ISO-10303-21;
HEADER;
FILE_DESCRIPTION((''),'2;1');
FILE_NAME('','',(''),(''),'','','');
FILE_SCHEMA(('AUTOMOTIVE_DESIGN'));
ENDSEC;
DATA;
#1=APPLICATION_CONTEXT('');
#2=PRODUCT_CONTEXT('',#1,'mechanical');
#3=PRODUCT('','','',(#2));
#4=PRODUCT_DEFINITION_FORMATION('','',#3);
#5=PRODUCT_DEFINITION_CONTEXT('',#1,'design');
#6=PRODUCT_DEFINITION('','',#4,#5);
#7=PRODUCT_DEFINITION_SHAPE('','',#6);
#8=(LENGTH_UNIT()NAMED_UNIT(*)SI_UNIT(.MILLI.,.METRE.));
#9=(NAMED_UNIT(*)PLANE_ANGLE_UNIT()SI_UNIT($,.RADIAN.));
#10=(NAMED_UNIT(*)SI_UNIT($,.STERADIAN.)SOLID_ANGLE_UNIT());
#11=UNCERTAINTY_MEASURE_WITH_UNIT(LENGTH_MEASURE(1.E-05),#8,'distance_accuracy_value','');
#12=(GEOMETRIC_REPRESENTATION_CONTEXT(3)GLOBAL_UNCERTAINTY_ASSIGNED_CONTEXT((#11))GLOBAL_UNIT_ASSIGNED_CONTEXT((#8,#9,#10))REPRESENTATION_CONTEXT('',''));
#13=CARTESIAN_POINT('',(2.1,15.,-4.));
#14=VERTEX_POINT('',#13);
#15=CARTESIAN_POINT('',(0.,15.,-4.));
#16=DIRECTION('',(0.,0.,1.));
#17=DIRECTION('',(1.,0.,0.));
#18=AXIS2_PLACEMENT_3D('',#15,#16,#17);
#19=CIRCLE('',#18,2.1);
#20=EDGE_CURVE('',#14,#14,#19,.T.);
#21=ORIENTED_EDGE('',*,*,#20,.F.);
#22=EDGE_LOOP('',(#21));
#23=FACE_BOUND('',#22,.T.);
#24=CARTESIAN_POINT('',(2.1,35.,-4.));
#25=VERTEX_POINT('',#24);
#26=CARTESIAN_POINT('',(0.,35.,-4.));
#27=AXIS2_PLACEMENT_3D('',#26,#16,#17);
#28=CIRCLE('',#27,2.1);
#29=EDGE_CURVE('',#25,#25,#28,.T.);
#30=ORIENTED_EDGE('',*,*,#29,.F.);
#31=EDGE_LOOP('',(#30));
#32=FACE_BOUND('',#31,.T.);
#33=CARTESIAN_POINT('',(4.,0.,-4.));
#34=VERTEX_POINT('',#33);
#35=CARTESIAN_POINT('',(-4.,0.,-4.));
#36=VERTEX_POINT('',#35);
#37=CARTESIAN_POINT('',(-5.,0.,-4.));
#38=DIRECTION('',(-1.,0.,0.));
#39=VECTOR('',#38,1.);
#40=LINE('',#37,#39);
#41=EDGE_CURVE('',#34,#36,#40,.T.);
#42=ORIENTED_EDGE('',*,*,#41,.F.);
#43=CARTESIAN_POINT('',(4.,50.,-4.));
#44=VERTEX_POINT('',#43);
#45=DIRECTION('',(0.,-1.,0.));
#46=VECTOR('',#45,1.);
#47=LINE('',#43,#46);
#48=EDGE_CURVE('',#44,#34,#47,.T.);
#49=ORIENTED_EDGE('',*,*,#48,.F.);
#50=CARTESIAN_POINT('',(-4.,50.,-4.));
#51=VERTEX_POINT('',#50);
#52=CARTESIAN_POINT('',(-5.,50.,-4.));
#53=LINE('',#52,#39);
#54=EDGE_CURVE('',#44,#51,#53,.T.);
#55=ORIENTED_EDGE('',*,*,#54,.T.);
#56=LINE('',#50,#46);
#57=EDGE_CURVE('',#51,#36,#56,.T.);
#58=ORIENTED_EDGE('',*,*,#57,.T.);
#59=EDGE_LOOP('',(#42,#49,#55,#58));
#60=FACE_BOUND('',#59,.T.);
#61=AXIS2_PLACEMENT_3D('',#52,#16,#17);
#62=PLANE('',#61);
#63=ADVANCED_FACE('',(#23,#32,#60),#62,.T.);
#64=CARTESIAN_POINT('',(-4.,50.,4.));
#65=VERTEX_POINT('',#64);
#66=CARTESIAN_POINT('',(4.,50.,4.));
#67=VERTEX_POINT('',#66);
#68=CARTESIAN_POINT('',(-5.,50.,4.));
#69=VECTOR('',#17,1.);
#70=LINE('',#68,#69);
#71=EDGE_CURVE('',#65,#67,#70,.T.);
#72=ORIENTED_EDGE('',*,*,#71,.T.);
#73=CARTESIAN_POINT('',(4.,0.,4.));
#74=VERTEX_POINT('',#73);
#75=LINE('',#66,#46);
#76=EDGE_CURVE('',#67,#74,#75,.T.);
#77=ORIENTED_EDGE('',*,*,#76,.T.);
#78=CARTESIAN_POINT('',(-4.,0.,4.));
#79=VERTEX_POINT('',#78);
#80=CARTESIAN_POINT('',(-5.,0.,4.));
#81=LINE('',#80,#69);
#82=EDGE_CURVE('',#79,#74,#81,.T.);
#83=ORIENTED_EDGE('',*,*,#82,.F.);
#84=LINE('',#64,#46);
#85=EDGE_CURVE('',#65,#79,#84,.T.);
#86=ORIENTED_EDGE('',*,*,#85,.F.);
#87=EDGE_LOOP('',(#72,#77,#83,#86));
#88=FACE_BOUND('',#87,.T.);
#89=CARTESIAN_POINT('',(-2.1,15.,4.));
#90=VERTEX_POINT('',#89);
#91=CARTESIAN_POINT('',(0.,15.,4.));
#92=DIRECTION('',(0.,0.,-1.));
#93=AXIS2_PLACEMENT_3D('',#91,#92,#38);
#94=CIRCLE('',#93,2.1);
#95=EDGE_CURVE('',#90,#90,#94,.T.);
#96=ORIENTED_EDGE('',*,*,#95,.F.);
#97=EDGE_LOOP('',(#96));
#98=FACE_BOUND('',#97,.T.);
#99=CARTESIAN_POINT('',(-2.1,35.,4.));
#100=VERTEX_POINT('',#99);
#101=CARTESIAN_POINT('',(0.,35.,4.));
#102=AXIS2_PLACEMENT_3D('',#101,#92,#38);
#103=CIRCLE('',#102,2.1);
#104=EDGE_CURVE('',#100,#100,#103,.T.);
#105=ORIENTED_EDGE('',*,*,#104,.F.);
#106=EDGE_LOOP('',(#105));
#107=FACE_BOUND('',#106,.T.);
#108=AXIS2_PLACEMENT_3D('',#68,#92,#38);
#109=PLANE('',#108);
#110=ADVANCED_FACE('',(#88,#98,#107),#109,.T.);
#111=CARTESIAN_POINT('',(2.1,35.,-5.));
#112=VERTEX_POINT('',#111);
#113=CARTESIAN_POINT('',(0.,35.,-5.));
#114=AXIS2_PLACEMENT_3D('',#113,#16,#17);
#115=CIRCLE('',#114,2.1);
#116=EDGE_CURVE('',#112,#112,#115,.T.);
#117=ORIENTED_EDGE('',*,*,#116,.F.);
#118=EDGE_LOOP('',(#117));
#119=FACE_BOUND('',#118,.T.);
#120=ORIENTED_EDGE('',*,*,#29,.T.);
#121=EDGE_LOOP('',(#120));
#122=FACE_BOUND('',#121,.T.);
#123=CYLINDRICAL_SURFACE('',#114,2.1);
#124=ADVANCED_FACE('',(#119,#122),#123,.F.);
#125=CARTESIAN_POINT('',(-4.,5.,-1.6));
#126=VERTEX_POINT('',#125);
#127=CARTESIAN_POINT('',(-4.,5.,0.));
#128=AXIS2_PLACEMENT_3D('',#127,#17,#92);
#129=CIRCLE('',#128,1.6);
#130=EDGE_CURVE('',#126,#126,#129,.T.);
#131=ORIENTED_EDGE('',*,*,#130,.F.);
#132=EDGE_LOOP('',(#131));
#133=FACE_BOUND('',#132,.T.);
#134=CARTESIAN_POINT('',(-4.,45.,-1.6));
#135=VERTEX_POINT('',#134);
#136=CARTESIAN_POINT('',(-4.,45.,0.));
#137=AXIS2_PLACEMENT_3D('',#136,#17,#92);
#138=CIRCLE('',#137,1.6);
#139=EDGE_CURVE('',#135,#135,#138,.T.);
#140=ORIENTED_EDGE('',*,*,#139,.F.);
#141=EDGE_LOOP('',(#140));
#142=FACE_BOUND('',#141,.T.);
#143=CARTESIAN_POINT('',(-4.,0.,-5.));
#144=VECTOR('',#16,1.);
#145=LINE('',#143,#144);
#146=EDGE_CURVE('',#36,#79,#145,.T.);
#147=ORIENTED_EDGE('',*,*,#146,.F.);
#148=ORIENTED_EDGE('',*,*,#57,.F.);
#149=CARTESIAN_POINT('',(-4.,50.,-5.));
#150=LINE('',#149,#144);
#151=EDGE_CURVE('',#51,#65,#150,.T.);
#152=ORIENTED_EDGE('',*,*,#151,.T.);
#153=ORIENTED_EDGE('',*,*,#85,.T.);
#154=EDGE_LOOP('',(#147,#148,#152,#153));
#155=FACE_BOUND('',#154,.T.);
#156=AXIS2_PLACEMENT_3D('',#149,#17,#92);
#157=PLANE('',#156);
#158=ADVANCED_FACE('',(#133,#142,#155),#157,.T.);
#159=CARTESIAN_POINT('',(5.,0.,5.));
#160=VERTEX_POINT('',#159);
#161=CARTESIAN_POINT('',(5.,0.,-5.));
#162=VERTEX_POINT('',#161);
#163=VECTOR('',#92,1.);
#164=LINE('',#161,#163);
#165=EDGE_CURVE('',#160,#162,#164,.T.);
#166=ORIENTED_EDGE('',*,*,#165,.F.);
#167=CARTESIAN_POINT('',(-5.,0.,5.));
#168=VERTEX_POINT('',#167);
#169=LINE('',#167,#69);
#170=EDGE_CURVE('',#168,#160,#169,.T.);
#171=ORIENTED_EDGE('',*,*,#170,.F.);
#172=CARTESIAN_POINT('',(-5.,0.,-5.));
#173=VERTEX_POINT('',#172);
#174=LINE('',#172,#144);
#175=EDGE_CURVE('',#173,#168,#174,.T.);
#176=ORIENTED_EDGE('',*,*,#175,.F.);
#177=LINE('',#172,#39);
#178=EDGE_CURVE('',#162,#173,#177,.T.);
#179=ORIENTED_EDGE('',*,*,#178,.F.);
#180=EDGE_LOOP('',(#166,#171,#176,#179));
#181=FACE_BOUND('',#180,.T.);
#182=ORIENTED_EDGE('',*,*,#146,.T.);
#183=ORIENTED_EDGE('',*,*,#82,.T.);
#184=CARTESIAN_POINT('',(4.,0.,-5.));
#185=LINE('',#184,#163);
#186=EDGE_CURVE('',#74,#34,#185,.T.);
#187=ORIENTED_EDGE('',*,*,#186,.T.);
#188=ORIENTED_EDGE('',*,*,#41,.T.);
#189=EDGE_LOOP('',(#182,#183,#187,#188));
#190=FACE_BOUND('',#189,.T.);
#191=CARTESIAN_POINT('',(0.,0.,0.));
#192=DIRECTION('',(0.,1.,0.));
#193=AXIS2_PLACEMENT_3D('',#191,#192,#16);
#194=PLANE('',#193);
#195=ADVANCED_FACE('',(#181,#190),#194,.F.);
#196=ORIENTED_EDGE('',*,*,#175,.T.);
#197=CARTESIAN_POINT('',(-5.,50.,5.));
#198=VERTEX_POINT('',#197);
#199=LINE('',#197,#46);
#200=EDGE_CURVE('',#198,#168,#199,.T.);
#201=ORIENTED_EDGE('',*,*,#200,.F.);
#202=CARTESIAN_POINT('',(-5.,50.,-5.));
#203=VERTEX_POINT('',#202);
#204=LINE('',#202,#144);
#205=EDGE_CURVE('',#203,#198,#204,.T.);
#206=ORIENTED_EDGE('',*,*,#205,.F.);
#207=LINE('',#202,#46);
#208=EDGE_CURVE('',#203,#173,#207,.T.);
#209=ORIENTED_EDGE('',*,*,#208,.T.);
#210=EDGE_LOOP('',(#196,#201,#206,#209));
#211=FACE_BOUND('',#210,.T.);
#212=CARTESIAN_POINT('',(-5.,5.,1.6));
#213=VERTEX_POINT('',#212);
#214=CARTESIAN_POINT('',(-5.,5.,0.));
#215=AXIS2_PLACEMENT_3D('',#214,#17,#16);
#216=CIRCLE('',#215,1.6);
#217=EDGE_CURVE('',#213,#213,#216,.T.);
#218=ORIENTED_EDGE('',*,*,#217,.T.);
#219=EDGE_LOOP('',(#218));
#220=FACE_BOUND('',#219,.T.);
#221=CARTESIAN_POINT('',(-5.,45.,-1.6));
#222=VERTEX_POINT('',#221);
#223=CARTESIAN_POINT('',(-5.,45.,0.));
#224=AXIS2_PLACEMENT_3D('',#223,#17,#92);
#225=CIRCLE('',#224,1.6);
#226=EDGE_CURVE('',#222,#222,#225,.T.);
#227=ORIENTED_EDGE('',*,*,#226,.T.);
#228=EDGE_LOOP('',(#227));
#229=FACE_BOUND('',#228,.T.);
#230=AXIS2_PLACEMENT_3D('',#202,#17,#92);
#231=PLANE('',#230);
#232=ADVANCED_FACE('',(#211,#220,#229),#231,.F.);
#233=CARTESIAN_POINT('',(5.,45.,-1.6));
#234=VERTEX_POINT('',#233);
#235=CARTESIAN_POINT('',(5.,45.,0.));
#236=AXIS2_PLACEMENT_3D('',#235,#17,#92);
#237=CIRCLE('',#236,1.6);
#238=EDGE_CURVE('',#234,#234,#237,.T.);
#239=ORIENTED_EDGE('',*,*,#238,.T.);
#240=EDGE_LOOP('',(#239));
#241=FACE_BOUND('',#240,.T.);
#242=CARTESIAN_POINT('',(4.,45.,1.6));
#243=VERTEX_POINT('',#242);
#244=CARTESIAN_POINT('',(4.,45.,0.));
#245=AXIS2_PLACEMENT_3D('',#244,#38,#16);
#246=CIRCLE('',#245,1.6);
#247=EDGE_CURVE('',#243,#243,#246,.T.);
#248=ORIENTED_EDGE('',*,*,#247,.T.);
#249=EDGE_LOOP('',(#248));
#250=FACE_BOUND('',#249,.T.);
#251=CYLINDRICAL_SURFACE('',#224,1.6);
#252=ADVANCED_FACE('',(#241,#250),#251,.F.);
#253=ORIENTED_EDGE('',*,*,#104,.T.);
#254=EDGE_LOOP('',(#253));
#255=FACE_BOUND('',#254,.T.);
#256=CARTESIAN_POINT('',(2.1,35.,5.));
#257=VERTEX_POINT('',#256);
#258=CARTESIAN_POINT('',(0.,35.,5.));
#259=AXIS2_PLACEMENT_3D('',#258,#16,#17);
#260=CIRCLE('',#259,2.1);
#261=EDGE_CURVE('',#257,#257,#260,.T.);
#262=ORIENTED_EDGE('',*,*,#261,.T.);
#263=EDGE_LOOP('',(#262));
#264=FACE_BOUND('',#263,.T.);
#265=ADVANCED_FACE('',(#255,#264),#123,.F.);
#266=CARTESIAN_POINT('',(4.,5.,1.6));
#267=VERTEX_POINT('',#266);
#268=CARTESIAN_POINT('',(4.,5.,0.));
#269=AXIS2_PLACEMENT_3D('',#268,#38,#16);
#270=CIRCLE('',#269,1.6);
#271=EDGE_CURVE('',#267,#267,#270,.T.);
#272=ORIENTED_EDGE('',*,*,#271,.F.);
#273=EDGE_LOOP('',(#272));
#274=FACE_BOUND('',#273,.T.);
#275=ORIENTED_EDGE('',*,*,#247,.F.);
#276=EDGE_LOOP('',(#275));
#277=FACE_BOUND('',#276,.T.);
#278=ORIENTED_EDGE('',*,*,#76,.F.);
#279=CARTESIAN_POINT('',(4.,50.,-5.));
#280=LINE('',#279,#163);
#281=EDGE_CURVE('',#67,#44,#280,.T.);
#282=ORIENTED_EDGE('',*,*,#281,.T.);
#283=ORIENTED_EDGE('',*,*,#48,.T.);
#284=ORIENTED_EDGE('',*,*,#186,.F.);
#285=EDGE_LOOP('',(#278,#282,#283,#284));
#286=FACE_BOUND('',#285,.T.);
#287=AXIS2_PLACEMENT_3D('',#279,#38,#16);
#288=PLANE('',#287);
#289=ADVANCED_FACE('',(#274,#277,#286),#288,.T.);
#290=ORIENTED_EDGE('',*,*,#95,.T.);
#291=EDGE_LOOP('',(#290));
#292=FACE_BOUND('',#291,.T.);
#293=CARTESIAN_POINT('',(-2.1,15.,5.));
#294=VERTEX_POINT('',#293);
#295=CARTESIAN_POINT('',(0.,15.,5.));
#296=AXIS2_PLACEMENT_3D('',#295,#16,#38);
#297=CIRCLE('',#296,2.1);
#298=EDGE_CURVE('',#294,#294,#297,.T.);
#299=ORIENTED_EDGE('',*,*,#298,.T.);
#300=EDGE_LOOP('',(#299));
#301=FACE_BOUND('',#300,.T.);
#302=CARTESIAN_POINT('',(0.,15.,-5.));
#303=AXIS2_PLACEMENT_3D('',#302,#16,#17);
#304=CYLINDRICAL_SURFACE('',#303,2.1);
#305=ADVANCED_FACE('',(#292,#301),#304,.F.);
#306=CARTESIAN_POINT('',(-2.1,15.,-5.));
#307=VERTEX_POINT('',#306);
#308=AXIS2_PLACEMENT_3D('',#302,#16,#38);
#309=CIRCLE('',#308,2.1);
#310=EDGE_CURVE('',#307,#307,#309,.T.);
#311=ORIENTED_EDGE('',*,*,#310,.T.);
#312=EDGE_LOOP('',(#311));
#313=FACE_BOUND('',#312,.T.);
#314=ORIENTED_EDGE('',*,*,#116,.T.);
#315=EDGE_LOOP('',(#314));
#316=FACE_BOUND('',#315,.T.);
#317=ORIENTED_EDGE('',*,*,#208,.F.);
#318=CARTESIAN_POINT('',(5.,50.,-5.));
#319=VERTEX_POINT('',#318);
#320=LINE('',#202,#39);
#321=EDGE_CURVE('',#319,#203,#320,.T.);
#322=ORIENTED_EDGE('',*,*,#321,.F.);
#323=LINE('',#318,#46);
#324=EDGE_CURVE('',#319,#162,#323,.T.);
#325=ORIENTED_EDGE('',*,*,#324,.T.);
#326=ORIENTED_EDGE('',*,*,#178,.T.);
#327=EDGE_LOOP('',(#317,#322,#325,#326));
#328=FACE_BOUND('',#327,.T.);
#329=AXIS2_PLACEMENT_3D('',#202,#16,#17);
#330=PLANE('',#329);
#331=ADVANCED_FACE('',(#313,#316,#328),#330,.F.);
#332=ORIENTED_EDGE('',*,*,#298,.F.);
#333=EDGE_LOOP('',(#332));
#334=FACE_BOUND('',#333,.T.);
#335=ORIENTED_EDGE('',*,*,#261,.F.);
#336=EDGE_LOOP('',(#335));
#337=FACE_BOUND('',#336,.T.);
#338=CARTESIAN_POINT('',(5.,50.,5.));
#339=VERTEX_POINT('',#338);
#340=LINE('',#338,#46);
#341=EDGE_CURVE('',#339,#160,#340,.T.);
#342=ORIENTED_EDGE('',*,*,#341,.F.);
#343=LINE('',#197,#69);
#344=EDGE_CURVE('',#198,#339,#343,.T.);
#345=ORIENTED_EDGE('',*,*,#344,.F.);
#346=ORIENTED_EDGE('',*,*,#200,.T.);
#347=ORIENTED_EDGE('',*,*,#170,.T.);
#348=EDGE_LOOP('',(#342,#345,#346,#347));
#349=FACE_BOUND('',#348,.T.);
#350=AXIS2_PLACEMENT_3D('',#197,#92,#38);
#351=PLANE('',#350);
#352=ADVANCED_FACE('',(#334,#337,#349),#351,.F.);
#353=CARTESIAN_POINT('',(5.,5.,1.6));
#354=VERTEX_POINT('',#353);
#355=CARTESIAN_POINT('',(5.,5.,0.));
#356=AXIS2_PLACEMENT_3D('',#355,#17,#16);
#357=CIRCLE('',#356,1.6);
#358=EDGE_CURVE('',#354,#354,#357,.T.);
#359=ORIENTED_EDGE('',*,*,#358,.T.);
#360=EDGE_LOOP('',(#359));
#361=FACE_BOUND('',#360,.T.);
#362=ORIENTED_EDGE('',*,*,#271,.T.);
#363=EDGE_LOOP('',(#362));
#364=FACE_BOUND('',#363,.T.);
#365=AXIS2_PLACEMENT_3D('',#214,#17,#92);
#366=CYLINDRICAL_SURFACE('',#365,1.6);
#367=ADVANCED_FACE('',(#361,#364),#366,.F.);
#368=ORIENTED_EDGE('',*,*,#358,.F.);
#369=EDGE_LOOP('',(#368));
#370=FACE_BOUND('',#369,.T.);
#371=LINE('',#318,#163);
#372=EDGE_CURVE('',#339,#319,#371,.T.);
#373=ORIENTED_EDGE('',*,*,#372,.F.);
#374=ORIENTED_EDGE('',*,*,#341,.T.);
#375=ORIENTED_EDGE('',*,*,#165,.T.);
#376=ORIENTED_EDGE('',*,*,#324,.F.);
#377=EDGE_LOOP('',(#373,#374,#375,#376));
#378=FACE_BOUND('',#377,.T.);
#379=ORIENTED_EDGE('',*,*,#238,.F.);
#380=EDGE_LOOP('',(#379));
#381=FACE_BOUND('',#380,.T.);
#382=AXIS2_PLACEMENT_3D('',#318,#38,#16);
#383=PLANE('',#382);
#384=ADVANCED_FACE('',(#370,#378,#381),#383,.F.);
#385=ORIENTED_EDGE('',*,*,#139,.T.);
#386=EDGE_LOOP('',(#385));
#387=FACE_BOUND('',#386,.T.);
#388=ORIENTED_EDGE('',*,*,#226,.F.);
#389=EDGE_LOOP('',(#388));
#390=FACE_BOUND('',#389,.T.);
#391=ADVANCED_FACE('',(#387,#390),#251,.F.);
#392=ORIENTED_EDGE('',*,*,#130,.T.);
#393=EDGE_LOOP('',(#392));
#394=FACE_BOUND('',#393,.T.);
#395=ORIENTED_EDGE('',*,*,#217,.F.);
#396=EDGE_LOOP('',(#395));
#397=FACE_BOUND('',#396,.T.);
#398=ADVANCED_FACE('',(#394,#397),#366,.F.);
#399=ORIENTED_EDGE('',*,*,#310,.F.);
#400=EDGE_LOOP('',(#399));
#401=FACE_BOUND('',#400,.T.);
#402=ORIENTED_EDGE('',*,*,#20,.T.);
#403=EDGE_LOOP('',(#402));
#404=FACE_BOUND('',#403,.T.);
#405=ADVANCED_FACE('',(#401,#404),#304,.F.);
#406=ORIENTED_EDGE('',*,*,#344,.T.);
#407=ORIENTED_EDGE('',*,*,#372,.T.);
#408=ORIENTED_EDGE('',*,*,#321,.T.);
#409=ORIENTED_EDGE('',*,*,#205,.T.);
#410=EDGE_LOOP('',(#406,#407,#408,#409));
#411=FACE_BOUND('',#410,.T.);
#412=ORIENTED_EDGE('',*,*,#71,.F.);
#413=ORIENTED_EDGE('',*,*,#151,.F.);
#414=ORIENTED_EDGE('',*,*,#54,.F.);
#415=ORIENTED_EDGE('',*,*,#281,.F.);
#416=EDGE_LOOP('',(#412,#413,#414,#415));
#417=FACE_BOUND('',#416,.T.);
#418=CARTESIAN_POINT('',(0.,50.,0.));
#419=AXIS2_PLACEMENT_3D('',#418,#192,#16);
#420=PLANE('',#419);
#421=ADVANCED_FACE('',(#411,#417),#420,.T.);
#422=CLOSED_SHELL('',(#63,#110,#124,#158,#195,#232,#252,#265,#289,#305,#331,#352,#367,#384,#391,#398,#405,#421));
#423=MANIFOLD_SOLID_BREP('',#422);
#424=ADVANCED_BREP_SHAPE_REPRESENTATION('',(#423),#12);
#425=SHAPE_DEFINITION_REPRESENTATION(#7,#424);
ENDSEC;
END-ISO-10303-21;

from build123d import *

# Parameters (mm, degrees)
SKETCH_1_W          = 10
SKETCH_1_H          = 10
SKETCH_1_W_2        = 8
SKETCH_1_H_2        = 8
EXTRUDE_1_DEPTH     = 50
SKETCH_2_R          = 1.6
CUT_EXTRUDE_1_DEPTH = 52.23475383
SKETCH_3_R          = 2.1
CUT_EXTRUDE_2_DEPTH = 52.23475383


with BuildPart() as part:
    # ｽｹｯﾁ1 → 押し出し-薄板1 (new body)
    with BuildSketch(Plane(origin=(0, 0, 0), x_dir=(1, 0, 0), z_dir=(0, 1, 0))):
        Rectangle(SKETCH_1_W, SKETCH_1_H)
        Rectangle(SKETCH_1_W_2, SKETCH_1_H_2, mode=Mode.SUBTRACT)
    extrude(amount=EXTRUDE_1_DEPTH)

    # ｽｹｯﾁ2 → ｶｯﾄ - 押し出し1 (cut, through all)
    with BuildSketch(Plane(origin=(5, 0, 0), x_dir=(0, 0, -1), z_dir=(1, 0, 0))):
        with Locations((0, 45)):
            Circle(SKETCH_2_R)
        with Locations((0, 5)):
            Circle(SKETCH_2_R)
    extrude(amount=-CUT_EXTRUDE_1_DEPTH, mode=Mode.SUBTRACT)

    # ｽｹｯﾁ3 → ｶｯﾄ - 押し出し2 (cut, through all)
    with BuildSketch(Plane.XY.offset(5)):
        with Locations((0, 35)):
            Circle(SKETCH_3_R)
        with Locations(Location((0, 15, 0), (0, 0, 180))):
            Circle(SKETCH_3_R)
    extrude(amount=-CUT_EXTRUDE_2_DEPTH, mode=Mode.SUBTRACT)


solid = part.part
